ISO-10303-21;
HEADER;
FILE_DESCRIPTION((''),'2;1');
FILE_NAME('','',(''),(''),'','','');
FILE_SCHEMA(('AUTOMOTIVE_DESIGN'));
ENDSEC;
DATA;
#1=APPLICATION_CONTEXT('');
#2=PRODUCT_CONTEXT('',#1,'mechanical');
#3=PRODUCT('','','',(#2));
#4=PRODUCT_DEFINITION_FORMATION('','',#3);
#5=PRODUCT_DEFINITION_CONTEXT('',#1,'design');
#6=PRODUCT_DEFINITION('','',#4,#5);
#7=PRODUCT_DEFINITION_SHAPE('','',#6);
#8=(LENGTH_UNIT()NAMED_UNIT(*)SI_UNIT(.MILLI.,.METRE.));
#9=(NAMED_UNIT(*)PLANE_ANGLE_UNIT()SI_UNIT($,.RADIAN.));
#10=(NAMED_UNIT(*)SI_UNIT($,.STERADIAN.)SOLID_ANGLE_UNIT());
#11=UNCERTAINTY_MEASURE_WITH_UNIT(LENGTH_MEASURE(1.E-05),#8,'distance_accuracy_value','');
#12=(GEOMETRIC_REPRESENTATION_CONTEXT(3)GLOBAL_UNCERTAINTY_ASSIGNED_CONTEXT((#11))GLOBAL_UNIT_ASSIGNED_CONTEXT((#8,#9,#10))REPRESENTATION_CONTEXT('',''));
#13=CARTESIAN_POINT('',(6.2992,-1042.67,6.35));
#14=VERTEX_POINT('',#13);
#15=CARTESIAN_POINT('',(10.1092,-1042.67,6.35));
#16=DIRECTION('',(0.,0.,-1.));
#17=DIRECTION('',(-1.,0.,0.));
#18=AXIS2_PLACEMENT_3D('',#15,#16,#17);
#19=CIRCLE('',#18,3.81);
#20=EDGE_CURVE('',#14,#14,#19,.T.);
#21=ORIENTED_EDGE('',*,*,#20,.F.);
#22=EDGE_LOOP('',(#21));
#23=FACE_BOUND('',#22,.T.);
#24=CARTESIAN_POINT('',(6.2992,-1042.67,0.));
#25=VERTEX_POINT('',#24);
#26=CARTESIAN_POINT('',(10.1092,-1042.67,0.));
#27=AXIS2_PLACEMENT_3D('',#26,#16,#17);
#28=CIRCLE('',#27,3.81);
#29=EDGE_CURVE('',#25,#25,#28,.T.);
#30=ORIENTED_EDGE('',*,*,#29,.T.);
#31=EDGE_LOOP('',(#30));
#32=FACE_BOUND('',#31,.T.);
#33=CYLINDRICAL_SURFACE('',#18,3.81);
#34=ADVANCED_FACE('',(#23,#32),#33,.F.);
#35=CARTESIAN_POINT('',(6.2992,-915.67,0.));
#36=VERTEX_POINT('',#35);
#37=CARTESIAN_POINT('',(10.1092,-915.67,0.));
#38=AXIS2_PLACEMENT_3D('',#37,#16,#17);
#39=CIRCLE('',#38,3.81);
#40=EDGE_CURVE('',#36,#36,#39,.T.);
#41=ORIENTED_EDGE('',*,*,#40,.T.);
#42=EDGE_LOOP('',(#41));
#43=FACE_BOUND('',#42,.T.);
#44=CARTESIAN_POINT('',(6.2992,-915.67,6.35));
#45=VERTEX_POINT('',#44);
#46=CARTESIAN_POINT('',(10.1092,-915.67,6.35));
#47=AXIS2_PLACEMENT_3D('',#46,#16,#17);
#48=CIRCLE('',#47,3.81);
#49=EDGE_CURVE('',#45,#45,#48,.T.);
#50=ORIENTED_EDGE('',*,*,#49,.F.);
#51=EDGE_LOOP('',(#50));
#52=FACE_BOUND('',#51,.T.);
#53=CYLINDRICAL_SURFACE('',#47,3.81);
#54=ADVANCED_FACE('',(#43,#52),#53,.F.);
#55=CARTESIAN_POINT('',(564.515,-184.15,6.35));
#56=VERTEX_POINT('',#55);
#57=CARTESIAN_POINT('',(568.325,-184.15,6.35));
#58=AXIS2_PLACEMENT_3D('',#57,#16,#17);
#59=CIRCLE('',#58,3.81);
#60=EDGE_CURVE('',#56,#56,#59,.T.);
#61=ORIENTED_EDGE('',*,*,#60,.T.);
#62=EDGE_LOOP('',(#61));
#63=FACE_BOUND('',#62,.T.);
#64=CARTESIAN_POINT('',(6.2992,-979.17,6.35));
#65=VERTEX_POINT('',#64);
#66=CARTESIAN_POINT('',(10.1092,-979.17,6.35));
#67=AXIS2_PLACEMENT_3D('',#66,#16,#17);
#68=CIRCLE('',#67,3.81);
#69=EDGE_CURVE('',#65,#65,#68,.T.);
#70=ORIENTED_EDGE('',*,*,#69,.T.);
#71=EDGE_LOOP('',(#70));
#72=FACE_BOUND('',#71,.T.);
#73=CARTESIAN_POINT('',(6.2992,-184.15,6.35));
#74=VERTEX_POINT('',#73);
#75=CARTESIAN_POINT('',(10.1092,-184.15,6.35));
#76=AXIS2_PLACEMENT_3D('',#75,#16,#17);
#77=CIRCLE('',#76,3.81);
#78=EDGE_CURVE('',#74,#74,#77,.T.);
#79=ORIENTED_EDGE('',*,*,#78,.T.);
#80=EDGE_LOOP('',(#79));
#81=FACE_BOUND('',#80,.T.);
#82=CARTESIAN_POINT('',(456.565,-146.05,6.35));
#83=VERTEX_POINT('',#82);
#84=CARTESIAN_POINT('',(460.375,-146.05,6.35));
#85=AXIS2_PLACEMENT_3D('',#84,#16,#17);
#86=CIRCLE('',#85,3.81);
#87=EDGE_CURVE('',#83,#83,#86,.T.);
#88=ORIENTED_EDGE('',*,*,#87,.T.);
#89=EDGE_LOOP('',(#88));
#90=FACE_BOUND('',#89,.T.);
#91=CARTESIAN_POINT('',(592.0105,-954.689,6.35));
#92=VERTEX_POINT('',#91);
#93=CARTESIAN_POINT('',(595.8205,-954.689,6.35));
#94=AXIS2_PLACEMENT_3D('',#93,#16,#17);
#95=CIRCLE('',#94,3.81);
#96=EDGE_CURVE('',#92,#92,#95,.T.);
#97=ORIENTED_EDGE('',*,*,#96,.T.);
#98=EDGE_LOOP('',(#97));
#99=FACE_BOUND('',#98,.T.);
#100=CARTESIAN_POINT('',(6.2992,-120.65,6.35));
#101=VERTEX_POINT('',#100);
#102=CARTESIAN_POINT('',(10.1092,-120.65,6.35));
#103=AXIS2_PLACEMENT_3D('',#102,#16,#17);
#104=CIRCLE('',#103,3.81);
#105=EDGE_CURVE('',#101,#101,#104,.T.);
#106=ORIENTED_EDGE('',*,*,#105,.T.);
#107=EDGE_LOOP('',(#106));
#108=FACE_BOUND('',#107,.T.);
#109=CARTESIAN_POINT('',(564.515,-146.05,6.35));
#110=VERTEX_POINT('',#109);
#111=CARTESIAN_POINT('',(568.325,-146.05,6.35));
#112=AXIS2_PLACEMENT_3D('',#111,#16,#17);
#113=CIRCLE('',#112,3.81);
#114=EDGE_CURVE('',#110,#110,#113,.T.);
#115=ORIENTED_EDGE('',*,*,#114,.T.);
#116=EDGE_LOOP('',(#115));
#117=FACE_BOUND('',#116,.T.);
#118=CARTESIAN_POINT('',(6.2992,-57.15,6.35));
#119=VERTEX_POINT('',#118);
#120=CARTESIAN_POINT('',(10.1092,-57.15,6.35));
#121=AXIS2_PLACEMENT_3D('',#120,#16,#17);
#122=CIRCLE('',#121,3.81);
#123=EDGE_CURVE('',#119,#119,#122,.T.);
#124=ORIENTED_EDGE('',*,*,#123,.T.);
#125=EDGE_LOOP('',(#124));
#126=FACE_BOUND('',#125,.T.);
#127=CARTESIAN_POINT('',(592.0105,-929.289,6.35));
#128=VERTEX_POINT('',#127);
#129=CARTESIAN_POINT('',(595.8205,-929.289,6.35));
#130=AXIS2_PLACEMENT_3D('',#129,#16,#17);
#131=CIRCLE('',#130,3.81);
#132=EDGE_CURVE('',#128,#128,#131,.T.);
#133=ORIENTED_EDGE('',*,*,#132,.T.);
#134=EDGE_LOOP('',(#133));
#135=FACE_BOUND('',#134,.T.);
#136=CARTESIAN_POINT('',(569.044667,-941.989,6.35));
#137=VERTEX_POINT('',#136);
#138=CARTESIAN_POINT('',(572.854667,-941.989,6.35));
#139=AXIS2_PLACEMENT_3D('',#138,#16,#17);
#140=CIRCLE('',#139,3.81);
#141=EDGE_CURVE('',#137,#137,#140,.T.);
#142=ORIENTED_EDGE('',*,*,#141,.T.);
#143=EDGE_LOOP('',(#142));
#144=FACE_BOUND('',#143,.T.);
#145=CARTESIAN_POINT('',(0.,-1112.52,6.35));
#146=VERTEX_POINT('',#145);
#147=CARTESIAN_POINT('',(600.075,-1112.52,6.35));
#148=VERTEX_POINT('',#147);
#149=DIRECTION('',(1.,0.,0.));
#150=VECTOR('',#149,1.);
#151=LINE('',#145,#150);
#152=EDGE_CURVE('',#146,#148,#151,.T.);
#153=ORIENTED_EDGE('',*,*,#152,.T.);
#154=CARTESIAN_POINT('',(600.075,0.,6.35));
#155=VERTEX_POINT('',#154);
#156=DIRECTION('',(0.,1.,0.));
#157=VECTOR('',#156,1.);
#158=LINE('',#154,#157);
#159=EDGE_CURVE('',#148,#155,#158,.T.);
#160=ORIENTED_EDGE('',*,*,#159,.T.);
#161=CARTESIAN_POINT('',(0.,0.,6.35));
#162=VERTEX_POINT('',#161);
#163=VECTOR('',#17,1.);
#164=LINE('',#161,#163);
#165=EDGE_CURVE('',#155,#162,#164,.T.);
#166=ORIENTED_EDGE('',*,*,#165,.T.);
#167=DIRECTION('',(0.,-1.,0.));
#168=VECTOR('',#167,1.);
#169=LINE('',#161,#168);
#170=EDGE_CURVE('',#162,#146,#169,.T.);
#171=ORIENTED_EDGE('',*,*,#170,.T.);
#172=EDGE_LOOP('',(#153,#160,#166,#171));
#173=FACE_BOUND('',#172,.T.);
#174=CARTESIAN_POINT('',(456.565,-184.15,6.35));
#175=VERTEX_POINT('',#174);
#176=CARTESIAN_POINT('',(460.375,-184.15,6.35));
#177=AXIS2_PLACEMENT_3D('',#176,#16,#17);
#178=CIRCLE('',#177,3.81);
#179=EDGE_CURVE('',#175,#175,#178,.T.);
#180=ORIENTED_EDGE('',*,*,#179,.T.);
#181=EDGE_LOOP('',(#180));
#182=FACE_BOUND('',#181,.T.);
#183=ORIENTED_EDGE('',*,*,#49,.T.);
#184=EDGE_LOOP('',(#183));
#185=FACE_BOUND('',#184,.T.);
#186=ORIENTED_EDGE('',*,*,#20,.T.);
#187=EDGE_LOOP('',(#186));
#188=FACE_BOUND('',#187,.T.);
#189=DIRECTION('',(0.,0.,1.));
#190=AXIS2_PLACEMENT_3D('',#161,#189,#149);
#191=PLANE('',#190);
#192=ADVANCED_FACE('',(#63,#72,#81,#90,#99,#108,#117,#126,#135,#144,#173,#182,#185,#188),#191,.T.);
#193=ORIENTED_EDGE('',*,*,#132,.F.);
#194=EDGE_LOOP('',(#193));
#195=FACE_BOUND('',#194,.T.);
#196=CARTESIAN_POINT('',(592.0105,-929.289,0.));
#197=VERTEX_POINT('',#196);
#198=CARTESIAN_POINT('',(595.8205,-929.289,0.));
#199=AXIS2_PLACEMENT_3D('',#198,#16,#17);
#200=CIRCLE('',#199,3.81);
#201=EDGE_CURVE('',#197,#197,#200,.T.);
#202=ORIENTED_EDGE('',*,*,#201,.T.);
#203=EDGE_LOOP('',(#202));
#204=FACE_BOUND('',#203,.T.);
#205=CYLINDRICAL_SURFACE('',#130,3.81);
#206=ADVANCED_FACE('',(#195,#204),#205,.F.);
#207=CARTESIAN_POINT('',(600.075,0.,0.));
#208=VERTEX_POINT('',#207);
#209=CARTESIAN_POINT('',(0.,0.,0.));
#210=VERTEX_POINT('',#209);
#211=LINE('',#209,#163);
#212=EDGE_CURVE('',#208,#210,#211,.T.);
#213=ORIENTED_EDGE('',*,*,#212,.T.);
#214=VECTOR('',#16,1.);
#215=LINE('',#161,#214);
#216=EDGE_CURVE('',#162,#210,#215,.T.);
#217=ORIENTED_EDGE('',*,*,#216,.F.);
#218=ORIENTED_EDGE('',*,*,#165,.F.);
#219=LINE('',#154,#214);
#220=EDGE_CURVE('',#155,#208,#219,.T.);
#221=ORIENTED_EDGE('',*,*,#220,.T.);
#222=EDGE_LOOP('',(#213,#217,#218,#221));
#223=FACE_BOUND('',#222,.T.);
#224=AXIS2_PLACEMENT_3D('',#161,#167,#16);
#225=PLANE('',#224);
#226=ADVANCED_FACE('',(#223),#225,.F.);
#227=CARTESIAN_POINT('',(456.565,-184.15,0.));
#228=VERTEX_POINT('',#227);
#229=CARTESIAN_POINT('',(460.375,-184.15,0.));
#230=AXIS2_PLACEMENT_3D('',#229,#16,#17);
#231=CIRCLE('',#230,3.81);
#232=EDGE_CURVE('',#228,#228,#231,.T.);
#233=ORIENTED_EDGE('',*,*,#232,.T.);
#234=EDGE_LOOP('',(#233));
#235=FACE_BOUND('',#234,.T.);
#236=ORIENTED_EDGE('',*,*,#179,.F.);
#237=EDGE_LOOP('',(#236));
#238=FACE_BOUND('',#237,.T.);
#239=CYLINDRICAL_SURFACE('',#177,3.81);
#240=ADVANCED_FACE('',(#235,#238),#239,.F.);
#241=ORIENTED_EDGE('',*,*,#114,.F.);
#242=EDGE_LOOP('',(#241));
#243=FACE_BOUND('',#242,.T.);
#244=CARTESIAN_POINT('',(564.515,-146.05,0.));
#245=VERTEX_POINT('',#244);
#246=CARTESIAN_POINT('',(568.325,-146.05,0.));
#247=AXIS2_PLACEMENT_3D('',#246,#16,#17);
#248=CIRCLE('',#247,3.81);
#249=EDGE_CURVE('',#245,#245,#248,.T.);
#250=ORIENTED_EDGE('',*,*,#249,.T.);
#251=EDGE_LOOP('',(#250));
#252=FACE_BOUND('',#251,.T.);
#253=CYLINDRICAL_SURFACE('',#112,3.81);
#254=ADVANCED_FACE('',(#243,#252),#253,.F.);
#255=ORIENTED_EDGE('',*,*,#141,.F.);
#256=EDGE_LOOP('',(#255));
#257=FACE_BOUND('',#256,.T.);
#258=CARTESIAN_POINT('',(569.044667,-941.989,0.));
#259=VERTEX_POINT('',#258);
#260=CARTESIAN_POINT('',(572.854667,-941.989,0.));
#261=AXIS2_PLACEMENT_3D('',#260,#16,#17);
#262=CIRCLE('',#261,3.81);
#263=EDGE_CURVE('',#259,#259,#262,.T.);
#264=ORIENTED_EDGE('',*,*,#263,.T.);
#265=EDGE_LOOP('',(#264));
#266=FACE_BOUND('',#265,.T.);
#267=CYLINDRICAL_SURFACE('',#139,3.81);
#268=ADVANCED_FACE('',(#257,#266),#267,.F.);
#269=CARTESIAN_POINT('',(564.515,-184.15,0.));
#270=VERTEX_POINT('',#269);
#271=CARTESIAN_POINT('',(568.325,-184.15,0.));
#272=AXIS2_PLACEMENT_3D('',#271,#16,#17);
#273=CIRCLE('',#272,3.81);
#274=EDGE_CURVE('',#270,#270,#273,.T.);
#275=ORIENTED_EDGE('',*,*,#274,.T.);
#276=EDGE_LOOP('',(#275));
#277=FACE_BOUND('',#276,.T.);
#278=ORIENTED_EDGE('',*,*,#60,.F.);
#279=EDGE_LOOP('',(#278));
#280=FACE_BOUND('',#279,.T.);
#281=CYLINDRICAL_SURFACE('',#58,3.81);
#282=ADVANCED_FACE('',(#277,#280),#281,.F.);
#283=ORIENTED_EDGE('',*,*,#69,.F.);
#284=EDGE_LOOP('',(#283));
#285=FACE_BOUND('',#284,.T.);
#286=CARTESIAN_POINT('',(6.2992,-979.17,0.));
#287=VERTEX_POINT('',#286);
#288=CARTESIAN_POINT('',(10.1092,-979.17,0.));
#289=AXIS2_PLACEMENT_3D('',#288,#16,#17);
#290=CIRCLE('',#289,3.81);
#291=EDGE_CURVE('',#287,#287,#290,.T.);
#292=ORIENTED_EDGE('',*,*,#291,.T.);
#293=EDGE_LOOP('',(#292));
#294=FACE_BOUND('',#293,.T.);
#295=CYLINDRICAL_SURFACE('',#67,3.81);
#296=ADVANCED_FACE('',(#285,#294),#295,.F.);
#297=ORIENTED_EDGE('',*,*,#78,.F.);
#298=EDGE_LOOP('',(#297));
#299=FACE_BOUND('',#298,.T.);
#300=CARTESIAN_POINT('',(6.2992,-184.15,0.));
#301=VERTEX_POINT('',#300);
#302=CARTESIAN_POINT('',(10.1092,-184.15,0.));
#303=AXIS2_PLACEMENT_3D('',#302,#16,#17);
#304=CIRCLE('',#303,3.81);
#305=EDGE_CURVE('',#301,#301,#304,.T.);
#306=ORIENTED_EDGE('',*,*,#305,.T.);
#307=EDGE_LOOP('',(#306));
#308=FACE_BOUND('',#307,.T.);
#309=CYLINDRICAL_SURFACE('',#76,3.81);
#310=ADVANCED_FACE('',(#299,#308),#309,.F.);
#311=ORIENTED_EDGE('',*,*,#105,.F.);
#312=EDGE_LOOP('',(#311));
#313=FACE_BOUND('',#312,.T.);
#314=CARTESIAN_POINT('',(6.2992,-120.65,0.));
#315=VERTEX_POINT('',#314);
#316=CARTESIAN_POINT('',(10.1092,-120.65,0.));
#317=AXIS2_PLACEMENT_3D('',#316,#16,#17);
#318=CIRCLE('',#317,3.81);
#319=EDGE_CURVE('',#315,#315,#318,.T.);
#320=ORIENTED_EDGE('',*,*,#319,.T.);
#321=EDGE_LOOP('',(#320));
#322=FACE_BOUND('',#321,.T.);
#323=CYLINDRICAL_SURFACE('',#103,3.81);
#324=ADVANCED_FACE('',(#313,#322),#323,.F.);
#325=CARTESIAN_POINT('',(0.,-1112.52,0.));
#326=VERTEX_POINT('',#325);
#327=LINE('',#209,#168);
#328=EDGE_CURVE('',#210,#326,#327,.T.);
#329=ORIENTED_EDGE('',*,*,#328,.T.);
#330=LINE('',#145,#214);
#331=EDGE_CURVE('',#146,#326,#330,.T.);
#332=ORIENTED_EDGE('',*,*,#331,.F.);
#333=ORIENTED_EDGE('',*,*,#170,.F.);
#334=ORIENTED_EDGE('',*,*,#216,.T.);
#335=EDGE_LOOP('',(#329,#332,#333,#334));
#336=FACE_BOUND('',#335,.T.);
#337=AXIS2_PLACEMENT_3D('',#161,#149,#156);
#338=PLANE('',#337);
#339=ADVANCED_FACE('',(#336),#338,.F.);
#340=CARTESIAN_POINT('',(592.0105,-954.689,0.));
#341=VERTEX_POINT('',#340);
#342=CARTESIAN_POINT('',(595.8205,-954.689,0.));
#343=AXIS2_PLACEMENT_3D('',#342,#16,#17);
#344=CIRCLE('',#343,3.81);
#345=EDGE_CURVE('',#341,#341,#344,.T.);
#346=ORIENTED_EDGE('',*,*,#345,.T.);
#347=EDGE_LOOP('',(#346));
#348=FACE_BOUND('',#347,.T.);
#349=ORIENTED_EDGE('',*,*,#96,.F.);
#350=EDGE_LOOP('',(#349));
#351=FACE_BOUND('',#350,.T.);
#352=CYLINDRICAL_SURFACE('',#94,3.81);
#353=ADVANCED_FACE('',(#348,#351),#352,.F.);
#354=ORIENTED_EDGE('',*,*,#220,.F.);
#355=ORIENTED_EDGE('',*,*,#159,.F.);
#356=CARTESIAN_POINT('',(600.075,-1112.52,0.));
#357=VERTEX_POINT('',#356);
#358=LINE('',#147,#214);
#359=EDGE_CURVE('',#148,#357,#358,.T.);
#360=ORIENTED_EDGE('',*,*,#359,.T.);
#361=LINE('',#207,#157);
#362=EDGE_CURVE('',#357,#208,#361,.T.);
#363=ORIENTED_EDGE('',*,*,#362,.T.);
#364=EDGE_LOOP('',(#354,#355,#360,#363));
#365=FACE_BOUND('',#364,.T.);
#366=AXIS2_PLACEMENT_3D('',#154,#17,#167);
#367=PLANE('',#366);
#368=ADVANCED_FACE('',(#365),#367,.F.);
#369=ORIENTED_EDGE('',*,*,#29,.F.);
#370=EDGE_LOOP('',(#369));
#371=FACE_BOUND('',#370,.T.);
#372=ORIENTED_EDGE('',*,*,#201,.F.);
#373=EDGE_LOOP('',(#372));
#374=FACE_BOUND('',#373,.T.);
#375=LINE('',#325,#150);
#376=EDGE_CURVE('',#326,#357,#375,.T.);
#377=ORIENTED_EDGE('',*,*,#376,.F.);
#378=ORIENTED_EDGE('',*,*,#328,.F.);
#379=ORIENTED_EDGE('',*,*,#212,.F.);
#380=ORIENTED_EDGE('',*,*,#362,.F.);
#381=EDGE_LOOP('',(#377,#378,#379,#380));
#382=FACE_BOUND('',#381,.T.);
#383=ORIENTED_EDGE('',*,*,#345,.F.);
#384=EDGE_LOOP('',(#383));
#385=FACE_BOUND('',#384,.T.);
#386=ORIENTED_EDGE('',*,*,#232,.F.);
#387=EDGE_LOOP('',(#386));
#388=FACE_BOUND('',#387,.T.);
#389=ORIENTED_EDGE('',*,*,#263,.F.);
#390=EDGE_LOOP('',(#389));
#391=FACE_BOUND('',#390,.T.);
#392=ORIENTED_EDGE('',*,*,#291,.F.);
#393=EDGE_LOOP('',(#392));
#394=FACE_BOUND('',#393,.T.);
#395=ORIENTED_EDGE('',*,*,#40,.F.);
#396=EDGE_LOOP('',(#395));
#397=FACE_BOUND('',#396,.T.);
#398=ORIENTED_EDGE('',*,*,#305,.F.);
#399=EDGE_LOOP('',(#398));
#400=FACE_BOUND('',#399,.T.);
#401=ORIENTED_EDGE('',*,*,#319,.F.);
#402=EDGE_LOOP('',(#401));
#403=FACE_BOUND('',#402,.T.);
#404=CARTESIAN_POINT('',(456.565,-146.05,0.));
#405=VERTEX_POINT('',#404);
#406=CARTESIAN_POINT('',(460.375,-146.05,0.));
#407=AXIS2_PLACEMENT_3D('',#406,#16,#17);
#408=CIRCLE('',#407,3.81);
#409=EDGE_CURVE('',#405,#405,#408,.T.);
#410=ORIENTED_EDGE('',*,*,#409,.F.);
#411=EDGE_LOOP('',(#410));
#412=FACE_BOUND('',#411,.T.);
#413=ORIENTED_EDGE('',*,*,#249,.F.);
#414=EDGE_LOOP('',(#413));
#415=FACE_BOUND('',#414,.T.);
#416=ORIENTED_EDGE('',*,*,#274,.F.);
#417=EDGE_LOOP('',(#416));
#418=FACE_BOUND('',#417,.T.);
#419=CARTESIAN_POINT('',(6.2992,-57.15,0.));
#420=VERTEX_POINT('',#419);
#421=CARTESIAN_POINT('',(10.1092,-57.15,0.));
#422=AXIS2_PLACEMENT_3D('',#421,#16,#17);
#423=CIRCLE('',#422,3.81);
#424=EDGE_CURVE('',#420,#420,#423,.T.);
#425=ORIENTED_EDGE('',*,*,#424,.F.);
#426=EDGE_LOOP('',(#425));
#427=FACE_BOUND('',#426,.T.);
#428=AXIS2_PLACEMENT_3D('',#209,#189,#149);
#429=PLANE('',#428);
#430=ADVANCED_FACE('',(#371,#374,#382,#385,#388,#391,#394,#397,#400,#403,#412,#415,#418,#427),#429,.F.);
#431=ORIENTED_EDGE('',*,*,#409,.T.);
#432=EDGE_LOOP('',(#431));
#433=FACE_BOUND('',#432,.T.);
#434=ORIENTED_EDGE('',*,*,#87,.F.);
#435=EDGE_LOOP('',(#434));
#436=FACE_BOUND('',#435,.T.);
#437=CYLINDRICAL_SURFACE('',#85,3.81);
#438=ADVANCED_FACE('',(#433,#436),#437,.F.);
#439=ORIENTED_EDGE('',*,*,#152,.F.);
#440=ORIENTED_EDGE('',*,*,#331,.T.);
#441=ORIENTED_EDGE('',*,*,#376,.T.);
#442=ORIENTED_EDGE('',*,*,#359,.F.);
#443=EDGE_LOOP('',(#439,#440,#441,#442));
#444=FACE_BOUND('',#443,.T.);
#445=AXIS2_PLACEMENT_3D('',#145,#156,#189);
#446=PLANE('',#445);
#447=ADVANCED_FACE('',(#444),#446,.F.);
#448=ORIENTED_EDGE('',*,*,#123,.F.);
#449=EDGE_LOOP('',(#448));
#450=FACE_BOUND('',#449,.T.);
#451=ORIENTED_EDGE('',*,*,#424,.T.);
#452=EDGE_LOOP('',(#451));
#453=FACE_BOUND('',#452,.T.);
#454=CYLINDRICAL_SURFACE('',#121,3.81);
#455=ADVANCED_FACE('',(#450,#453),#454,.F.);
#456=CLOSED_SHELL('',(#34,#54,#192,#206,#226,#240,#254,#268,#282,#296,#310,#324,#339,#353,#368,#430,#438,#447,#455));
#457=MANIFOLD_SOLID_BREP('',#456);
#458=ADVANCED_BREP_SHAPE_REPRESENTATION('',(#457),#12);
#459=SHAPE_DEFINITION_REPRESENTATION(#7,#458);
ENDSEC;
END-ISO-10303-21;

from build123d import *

# Parameters (mm, degrees)
SKETCH1_W           = 600.075
SKETCH1_H           = 1112.52
BOSS_EXTRUDE1_DEPTH = 6.35
SKETCH2_R           = 3.81
CUT_EXTRUDE1_DEPTH  = 1265.053431832


with BuildPart() as part:
    # Sketch1 → Boss-Extrude1 (new body)
    with BuildSketch(Plane.XY):
        with Locations((300.0375, -556.26)):
            Rectangle(SKETCH1_W, SKETCH1_H)
    extrude(amount=BOSS_EXTRUDE1_DEPTH)

    # Sketch2 → Cut-Extrude1 (cut, through all)
    with BuildSketch(Plane(origin=(0, 0, 0), x_dir=(-1, 0, 0), z_dir=(0, 0, -1))):
        with Locations((-10.1092, -57.15)):
            Circle(SKETCH2_R)
        with Locations((-10.1092, -120.65)):
            Circle(SKETCH2_R)
        with Locations((-10.1092, -184.15)):
            Circle(SKETCH2_R)
        with Locations((-10.1092, -915.67)):
            Circle(SKETCH2_R)
        with Locations((-10.1092, -979.17)):
            Circle(SKETCH2_R)
        with Locations((-10.1092, -1042.67)):
            Circle(SKETCH2_R)
        with Locations((-595.8205, -929.289000231)):
            Circle(SKETCH2_R)
        with Locations((-595.8205, -954.689000231)):
            Circle(SKETCH2_R)
        with Locations((-572.854666667, -941.989000231)):
            Circle(SKETCH2_R)
        with Locations((-568.325, -146.05)):
            Circle(SKETCH2_R)
        with Locations((-460.375, -146.05)):
            Circle(SKETCH2_R)
        with Locations((-460.375, -184.15)):
            Circle(SKETCH2_R)
        with Locations((-568.325, -184.15)):
            Circle(SKETCH2_R)
    extrude(amount=-CUT_EXTRUDE1_DEPTH, mode=Mode.SUBTRACT)


solid = part.part
